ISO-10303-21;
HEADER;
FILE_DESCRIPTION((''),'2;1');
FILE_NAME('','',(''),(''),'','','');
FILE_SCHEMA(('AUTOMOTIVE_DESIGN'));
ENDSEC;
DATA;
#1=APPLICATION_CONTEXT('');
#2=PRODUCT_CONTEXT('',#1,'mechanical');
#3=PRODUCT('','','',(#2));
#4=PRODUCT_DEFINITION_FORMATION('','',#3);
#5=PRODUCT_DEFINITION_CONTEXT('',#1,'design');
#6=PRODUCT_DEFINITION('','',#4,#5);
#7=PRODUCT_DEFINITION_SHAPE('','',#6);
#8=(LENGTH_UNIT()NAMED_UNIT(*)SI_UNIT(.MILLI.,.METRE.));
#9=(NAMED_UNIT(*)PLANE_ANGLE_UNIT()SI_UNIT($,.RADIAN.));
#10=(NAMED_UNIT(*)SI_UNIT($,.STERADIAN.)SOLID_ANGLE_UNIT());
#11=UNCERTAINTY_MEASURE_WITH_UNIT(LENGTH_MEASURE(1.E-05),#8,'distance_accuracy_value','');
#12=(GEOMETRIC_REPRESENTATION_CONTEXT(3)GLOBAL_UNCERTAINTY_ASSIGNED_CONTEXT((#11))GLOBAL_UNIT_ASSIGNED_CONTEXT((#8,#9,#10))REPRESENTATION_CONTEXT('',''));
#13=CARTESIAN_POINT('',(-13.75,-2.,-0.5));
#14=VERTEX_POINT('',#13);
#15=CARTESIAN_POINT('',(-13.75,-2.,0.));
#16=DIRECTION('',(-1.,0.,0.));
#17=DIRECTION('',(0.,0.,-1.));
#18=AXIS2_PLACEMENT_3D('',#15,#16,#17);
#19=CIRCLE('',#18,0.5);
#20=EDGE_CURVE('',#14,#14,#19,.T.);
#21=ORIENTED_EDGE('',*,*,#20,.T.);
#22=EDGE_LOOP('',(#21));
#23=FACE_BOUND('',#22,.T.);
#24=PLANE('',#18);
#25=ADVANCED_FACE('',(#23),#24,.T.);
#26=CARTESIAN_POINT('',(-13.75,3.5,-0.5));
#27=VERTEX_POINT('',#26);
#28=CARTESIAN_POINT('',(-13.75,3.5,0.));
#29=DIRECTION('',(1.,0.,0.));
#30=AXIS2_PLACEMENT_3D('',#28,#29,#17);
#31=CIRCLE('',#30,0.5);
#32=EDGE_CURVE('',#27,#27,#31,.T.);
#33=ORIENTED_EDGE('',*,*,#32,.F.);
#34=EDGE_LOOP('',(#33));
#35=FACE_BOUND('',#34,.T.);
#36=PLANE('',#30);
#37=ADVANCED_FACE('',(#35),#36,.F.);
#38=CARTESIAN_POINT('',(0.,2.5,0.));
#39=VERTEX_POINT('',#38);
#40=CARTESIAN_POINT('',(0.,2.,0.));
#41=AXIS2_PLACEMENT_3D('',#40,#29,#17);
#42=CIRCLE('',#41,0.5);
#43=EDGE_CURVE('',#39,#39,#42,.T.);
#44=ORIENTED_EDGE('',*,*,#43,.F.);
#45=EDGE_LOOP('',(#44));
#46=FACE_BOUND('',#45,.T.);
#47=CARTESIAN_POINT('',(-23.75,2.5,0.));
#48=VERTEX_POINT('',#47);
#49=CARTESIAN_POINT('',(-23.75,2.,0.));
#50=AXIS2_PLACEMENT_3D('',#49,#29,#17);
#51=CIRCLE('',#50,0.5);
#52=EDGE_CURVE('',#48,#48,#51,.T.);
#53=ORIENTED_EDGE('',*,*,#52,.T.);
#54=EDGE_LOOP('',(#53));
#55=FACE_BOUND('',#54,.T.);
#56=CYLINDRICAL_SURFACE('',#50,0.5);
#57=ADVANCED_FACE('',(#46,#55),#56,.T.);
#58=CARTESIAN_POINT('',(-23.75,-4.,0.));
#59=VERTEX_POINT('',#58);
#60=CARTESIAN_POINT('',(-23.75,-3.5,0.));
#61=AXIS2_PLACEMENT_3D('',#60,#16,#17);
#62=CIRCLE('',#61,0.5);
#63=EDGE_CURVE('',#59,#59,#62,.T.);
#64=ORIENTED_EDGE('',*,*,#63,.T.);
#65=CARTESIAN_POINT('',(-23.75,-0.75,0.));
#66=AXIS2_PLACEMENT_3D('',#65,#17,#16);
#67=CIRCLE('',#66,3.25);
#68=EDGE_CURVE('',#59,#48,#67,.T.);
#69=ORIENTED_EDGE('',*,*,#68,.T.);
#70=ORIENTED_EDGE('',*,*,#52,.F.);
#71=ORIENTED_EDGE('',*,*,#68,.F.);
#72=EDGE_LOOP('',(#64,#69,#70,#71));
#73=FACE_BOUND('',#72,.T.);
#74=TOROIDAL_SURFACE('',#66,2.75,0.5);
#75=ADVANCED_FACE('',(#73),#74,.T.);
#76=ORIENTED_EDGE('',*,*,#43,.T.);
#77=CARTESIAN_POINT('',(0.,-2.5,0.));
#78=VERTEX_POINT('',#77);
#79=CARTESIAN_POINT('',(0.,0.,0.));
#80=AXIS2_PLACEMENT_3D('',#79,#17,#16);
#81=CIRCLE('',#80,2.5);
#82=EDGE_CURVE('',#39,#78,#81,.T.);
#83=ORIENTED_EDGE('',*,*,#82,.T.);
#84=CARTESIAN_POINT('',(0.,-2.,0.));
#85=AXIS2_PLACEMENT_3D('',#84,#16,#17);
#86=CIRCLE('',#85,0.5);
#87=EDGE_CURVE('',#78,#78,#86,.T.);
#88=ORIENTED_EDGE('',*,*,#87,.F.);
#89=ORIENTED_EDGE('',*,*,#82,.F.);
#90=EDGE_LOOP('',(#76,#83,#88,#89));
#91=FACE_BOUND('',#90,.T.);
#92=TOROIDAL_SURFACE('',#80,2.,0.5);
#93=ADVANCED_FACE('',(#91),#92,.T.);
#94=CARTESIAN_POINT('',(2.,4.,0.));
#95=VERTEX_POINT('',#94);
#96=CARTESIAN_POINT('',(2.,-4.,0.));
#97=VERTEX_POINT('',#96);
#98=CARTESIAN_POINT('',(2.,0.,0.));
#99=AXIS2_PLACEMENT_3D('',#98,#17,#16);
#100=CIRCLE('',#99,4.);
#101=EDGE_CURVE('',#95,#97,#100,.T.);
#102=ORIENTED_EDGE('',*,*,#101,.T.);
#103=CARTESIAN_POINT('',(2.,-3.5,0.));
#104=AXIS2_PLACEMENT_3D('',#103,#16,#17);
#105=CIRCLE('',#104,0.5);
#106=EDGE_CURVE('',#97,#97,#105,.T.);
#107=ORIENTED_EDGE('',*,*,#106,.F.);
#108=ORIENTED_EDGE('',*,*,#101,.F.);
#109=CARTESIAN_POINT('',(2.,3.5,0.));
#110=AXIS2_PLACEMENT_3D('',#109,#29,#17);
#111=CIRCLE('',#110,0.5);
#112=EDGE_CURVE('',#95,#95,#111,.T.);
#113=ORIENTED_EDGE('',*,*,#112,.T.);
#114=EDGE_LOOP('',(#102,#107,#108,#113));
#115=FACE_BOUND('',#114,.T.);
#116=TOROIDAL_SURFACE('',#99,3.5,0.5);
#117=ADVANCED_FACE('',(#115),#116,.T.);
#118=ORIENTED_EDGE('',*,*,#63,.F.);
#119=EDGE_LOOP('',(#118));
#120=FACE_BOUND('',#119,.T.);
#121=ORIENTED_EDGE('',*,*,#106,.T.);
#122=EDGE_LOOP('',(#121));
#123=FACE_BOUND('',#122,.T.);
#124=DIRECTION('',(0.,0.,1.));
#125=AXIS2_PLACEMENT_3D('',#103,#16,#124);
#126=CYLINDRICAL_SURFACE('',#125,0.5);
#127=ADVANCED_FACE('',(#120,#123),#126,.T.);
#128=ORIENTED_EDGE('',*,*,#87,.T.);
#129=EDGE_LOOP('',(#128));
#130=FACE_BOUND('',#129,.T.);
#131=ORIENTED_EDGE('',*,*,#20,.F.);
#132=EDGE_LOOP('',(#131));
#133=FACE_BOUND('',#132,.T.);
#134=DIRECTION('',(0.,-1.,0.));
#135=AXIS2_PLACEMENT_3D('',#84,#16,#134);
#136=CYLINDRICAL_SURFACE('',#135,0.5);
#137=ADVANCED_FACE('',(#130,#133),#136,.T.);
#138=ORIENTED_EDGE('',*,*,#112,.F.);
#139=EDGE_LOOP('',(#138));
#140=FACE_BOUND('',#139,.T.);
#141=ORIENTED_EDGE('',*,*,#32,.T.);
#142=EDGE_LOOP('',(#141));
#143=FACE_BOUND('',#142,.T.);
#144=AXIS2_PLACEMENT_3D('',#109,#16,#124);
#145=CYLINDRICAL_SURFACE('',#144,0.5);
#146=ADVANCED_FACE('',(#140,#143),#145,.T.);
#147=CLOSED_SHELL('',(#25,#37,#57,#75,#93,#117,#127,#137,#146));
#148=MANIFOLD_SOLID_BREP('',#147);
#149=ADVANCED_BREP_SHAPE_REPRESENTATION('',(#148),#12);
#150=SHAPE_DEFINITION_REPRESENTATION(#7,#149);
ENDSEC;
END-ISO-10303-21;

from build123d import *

# Parameters (mm, degrees)
SKETCH2_R = 0.5


with BuildPart() as part:
    # Sweep1: sweep along a path in Sketch1
    with BuildLine(Plane.XY) as sweep1_path:
        Line((-13.75, 3.5), (2, 3.5))
        ThreePointArc((2, 3.5), (5.5, 0), (2, -3.5))
        Line((2, -3.5), (-23.75, -3.5))
        ThreePointArc((-23.75, -3.5), (-26.5, -0.75), (-23.75, 2))
        Line((-23.75, 2), (0, 2))
        ThreePointArc((0, 2), (2, 0), (0, -2))
        Line((0, -2), (-13.75, -2))
    # Sketch2 → Sweep1 (sweep)
    with BuildSketch(Plane(origin=(-13.75, 3.5, 0), x_dir=(0, 0, -1), z_dir=(1, 0, 0))):
        Circle(SKETCH2_R)
    sweep(path=sweep1_path.line)


solid = part.part
